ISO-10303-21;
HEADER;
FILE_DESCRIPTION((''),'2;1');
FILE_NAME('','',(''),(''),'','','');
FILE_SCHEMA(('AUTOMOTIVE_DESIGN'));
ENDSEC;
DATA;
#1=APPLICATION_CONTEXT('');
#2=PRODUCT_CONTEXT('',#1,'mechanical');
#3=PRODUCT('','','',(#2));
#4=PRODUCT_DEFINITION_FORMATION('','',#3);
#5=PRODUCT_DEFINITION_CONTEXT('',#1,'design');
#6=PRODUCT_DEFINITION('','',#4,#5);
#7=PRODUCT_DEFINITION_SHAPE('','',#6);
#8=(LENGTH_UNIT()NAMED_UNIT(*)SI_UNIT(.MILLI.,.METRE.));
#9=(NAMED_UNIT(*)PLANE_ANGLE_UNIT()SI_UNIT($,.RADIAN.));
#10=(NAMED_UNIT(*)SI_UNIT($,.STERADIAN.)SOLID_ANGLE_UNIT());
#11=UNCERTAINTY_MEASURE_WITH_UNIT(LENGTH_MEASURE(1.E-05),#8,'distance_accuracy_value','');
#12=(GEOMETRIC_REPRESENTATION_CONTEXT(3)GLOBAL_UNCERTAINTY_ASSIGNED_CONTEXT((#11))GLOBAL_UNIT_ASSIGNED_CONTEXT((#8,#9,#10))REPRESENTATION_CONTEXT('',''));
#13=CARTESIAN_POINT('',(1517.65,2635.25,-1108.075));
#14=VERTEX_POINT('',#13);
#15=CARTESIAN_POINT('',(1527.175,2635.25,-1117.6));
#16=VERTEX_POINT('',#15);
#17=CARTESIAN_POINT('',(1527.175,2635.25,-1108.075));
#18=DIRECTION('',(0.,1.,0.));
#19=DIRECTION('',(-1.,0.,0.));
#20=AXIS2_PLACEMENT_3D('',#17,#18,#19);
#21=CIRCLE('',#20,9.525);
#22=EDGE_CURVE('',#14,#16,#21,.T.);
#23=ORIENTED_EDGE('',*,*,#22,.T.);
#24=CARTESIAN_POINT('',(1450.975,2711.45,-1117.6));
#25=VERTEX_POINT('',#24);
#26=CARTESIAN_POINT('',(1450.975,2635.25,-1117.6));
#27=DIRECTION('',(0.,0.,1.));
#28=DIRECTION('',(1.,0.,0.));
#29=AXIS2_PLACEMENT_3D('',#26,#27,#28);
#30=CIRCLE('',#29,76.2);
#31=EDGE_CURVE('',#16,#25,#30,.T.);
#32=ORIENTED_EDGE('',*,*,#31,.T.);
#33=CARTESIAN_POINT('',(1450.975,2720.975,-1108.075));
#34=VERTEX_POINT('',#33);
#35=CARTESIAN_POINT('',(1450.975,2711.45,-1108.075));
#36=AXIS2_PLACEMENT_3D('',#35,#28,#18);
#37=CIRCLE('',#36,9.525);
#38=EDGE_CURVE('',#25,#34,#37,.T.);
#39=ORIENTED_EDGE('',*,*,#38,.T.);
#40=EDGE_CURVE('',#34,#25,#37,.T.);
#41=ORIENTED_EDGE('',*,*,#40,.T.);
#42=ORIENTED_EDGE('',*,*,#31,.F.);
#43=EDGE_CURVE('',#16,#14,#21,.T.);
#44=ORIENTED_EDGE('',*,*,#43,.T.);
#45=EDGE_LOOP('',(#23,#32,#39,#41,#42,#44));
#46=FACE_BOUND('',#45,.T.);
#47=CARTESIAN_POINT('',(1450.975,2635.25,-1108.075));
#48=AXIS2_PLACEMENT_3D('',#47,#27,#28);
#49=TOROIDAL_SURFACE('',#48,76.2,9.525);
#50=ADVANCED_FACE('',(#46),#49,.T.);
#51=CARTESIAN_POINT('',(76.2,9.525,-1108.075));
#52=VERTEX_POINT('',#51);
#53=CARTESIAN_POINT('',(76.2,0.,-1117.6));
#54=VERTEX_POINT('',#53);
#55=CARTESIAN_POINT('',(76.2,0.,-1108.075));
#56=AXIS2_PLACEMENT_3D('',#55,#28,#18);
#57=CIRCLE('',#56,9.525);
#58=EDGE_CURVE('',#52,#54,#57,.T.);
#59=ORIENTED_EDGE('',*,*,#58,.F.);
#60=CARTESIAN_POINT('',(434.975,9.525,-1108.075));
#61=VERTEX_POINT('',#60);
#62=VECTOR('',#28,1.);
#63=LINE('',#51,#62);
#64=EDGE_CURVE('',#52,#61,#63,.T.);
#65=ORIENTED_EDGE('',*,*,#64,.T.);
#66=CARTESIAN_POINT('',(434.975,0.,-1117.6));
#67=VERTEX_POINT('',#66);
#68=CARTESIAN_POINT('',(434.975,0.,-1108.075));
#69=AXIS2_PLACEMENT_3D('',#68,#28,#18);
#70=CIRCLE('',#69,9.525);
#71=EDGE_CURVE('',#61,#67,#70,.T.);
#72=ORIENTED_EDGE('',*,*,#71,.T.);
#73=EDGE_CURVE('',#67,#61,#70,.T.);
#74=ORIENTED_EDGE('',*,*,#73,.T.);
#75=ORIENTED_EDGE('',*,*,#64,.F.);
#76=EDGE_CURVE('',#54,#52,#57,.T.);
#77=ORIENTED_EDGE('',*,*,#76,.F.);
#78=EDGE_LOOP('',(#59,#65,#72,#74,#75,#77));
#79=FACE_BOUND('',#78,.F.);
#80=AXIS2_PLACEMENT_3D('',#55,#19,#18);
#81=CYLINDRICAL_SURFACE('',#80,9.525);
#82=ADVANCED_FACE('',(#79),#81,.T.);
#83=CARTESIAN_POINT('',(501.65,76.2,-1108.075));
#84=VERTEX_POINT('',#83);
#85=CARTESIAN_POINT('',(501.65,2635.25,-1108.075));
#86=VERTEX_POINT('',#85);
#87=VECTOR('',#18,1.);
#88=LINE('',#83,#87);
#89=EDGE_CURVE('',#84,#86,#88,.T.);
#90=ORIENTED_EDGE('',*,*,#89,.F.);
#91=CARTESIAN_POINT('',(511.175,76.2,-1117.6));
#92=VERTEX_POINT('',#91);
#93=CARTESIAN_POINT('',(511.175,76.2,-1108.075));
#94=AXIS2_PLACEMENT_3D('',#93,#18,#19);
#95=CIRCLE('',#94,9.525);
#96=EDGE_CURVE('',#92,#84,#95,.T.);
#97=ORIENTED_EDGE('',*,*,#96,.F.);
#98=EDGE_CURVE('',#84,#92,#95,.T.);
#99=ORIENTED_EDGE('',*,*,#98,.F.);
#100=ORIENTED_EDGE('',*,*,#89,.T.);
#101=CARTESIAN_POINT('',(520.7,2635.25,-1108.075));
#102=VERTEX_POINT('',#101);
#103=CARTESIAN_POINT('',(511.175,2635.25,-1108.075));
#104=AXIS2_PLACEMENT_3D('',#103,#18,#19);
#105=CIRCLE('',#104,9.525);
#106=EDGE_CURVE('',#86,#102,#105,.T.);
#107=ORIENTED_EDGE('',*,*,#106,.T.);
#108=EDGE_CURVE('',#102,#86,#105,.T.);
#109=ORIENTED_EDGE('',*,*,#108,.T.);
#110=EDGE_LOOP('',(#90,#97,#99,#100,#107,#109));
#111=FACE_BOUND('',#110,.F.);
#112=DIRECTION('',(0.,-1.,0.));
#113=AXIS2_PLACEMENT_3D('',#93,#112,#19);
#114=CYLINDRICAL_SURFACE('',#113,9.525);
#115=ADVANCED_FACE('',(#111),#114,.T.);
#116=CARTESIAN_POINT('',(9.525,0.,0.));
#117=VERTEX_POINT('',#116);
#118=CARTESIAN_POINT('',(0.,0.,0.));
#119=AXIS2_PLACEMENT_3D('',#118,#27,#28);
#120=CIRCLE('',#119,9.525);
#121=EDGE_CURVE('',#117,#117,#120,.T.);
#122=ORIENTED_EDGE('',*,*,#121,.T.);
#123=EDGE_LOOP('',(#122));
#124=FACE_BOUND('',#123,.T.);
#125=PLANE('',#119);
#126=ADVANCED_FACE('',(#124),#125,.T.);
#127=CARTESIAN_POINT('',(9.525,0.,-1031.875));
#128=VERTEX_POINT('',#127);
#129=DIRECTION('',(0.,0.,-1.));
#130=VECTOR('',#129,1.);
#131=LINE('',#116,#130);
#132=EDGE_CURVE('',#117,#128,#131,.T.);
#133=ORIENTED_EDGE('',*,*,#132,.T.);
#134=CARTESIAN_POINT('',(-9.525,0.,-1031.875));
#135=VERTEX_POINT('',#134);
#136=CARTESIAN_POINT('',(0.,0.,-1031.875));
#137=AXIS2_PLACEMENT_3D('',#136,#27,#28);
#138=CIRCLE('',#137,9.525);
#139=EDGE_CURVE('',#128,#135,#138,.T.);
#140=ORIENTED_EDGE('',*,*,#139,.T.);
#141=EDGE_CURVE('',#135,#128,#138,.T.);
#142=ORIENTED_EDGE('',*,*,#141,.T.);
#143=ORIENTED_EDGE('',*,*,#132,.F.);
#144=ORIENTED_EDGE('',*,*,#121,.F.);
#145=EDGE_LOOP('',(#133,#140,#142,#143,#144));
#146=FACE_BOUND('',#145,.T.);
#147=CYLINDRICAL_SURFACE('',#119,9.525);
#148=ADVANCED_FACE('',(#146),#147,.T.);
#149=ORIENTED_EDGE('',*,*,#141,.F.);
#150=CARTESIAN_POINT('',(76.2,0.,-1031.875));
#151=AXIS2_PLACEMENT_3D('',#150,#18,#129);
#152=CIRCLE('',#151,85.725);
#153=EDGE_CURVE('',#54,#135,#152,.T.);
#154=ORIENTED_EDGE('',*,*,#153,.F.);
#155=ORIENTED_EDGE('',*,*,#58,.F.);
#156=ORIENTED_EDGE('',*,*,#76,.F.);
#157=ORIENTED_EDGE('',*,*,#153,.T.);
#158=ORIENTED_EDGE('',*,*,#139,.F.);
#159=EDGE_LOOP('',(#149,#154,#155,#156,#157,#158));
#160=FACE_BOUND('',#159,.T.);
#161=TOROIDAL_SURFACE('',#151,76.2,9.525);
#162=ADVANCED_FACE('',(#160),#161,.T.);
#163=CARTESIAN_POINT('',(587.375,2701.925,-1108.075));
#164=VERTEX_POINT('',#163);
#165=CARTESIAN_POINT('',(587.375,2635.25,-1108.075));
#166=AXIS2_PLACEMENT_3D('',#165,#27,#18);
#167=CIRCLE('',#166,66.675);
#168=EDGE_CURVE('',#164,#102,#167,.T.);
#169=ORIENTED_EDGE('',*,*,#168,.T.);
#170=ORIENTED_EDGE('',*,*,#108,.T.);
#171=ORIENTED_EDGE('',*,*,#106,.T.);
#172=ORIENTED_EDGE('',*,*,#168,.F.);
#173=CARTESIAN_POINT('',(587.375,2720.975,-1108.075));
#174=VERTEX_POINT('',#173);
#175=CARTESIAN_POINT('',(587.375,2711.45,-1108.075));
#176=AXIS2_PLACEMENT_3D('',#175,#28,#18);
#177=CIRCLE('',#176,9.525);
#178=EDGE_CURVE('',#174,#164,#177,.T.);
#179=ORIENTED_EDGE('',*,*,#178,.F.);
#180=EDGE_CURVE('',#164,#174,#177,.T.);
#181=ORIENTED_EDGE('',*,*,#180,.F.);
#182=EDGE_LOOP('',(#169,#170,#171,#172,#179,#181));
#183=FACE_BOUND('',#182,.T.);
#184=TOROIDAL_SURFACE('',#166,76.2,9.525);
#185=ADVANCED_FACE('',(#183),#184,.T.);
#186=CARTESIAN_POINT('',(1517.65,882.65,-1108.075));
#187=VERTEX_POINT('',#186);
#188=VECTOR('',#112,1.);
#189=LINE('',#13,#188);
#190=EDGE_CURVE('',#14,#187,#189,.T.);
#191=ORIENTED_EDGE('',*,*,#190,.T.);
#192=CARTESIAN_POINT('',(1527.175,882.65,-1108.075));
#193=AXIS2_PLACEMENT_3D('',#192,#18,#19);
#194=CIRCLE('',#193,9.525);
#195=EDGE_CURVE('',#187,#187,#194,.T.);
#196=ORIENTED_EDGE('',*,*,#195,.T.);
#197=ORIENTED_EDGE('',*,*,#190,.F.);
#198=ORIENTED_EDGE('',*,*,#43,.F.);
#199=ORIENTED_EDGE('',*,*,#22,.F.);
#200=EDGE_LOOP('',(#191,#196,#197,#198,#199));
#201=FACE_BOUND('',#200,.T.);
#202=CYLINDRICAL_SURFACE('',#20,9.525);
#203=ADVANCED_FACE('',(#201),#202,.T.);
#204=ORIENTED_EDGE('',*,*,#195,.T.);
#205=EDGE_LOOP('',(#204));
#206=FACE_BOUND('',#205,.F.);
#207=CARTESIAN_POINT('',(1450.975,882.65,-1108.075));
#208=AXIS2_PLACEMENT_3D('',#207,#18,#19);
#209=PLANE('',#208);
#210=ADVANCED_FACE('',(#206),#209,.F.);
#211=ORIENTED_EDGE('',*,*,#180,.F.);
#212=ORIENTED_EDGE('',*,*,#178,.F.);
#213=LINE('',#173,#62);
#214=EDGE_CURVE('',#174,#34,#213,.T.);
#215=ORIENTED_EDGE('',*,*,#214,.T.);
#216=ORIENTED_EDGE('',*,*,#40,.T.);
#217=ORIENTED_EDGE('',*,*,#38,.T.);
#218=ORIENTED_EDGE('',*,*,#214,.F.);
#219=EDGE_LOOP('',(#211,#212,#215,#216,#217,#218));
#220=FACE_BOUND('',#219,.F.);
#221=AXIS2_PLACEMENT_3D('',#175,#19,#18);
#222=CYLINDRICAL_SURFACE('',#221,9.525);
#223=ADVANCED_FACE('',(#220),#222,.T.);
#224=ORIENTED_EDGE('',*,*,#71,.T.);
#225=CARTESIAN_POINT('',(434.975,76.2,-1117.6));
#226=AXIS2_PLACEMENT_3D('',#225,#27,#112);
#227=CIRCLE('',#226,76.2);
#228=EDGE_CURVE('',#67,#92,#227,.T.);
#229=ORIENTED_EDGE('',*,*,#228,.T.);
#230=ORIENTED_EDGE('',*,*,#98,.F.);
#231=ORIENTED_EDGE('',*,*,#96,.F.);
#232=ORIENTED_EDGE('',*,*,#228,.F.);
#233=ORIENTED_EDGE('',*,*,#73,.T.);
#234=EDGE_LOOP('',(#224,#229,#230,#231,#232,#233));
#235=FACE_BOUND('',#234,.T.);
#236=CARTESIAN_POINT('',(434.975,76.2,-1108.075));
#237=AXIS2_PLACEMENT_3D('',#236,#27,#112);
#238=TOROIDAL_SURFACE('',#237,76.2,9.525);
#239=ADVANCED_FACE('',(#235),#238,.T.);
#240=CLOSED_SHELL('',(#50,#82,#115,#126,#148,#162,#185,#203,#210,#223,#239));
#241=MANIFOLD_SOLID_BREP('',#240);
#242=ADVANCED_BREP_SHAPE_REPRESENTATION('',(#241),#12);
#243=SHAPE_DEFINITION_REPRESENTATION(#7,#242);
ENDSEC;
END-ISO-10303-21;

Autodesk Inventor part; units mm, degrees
sketch "Sketch2" plane through (0, 0, 0) normal (0, 0, 1) x (1, 0, 0)
  circle A0 centre (0, 0) radius 9.525
  dimension "d3" = 19.05
extrude "Extrusion2" add sketch "Sketch2" against normal blind 1031.875
ref_plane "Work Plane1" through (76.2, 0, 0) normal (1, 0, 0) x (0, 1, 0)
sketch "Sketch9" plane through (76.2, 0, 0) normal (1, 0, 0) x (0, 1, 0)
  line L0 (-9.525, -1031.875) -> (9.525, -1031.875) projected
  circle A0 centre (0, -1108.075) radius 9.525
  line L1 (0, -1031.875) -> (0, -1108.075) construction
  point P0 (0, 0)
  dimension "d17" = 19.05
  dimension "d18" = 76.2
extrude "Extrusion4" add sketch "Sketch9" along normal blind 358.775
sketch "Sketch11" plane through (0, 0, -1031.875) normal (0, 0, -1) x (-1, 0, 0)
  circle A0 centre (0, 0) radius 9.525 projected
sketch "Sketch12" plane through (0, 0, 0) normal (0, 1, 0) x (-1, 0, 0)
  line L0 (-76.2, -1117.6) -> (-76.2, -1098.55) projected
  line L1 (-9.525, -1031.875) -> (9.525, -1031.875) projected
  arc A0 (-76.2, -1108.075) -> (0, -1031.875) centre (-76.2, -1031.875) ccw
  point P0 (0, 0)
  dimension "d21" = 76.2
sweep "Sweep2" add profiles "Sketch11" path "Sketch12" path curves A0
ref_plane "Work Plane3" through (0, 76.2, 0) normal (0, 1, 0) x (-1, 0, 0)
sketch "Sketch13" plane through (0, 76.2, 0) normal (0, 1, 0) x (-1, 0, 0)
  line L0 (-434.975, -1098.55) -> (-434.975, -1117.6) projected
  circle A0 centre (-511.175, -1108.075) radius 9.525
  line L1 (-434.975, -1108.075) -> (-511.175, -1108.075) construction
  point P0 (0, 0)
  dimension "d25" = 19.05
  dimension "d26" = 76.2
extrude "Extrusion5" add sketch "Sketch13" along normal blind 2559.05
sketch "Sketch14" plane through (434.975, 0, -1108.075) normal (1, 0, 0) x (0, 0, -1)
  circle A0 centre (0, 0) radius 9.525 projected
  point P0 (-1108.075, 0)
ref_plane "Work Plane5" through (434.975, 0, -1108.075) normal (0, 0, 1) x (1, 0, 0)
sketch "Sketch15" plane through (434.975, 0, -1108.075) normal (0, 0, 1) x (1, 0, 0)
  line L0 (66.675, 76.2) -> (85.725, 76.2) projected
  arc A0 (0, 0) -> (76.2, 76.2) centre (0, 76.2) ccw
  line L1 (0, -9.525) -> (0, 9.525) projected
  point P0 (-434.975, 0)
  dimension "d29" = 76.2
sweep "Sweep3" add profiles "Sketch14" path "Sketch15" path curves A0
sketch "Sketch16" plane through (511.175, 2635.25, -1108.075) normal (0, 1, 0) x (1, 0, 0)
  circle A0 centre (0, 0) radius 9.525 projected
  point P0 (-511.175, -1108.075)
ref_plane "Work Plane10" through (511.175, 2635.25, -1108.075) normal (1, 0, 0) x (0, 1, 0)
ref_plane "Work Plane11" through (587.375, 2635.25, -1108.075) normal (1, 0, 0) x (0, 1, 0)
sketch "Sketch18" plane through (587.375, 2635.25, -1108.075) normal (1, 0, 0) x (0, 1, 0)
  circle A0 centre (76.2, 0) radius 9.525
  line L0 (0, -9.525) -> (0, 9.525) projected
  line L1 (76.2, 0) -> (0, 0) construction
  point P0 (-2635.25, 1108.075)
  dimension "d37" = 19.05
  dimension "d38" = 76.2
extrude "Extrusion7" add sketch "Sketch18" along normal blind 863.6
ref_plane "Work Plane12" through (1019.175, 2711.45, -1108.075) normal (1, 0, 0) x (0, 0, -1)
sketch "Sketch21" plane through (1450.975, 2711.45, -1108.075) normal (1, 0, 0) x (0, 0, -1)
  circle A0 centre (0, 0) radius 9.525 projected
  point P0 (-1108.075, -2711.45)
ref_plane "Work Plane14" through (1450.975, 2635.25, -1108.075) normal (0, 1, 0) x (-1, 0, 0)
ref_plane "Work Plane13" through (1450.975, 2711.45, -1108.075) normal (0, 1, 0) x (-1, 0, 0)
sketch "Sketch23" plane through (1450.975, 2635.25, -1108.075) normal (0, 1, 0) x (-1, 0, 0)
  circle A0 centre (-76.2, 0) radius 9.525
  line L0 (0, 9.525) -> (0, -9.525) projected
  line L1 (-76.2, 0) -> (0, 0) construction
  point P0 (1450.975, 1108.075)
  dimension "d45" = 19.05
  dimension "d46" = 76.2
extrude "Extrusion9" add sketch "Sketch23" against normal blind 1752.6
sketch "Sketch24" plane through (434.975, 0, -1108.075) normal (0, 0, 1) x (1, 0, 0)
  line L0 (152.4, 2720.975) -> (152.4, 2701.925) projected
  line L1 (85.725, 2635.25) -> (66.675, 2635.25) projected
  arc A0 (152.4, 2711.45) -> (76.2, 2635.25) centre (152.4, 2635.25) ccw
  point P0 (-434.975, 0)
  dimension "d49" = 76.2
sweep "Sweep4" add profiles "Sketch16" path "Sketch24" path curves A0
sketch "Sketch25" plane through (434.975, 0, -1108.075) normal (0, 0, 1) x (1, 0, 0)
  line L0 (1082.675, 2635.25) -> (1101.725, 2635.25) projected
  line L1 (1016, 2701.925) -> (1016, 2720.975) projected
  arc A0 (1092.2, 2635.25) -> (1016, 2711.45) centre (1016, 2635.25) ccw
  point P0 (-434.975, 0)
  dimension "d52" = 76.2
sweep "Sweep5" add profiles "Sketch21" path "Sketch25" path curves A0
equation "\"d3\" = tubeD"
equation "\"d17\" = tubeD"
equation "\"d18\" = tubeTurnR"
equation "\"d21\" = tubeTurnR"
equation "\"d26\" = tubeTurnR"
equation "\"d29\" = tubeTurnR"
equation "\"d38\" = tubeTurnR"
equation "\"d39\" = 0.333333 * roomWidth - 2 * tubeTurnR"
equation "\"d46\" = tubeTurnR"
equation "\"d47\" = 0.5 * roomDepth - tubeTurnR"
equation "\"d49\" = tubeTurnR"
equation "\"d52\" = tubeTurnR"
equation "\"d4\" = tubeTurnR"
equation "\"wallThick\" = 44.45"
equation "\"roomWidth\" = 3048"
equation "\"roomDepth\" = 3657.6"
equation "\"roomHeight\" = 2438.4"
equation "\"doorWidth\" = 895.35"
equation "\"doorHeight\" = 2108.2"
equation "\"doorX\" = 774.7"
equation "\"doorY\" = 88.9"
equation "\"doorLip\" = 76.2"
equation "\"doorThick\" = 57.15"
equation "\"tubeTurnR\" = 76.2"
equation "\"tubeD\" = 19.05"
equation "\"d24\" = tubeTurnR"
equation "\"d36\" = tubeTurnR"
equation "\"d44\" = -tubeTurnR"
properties part number "front_tube_up"
